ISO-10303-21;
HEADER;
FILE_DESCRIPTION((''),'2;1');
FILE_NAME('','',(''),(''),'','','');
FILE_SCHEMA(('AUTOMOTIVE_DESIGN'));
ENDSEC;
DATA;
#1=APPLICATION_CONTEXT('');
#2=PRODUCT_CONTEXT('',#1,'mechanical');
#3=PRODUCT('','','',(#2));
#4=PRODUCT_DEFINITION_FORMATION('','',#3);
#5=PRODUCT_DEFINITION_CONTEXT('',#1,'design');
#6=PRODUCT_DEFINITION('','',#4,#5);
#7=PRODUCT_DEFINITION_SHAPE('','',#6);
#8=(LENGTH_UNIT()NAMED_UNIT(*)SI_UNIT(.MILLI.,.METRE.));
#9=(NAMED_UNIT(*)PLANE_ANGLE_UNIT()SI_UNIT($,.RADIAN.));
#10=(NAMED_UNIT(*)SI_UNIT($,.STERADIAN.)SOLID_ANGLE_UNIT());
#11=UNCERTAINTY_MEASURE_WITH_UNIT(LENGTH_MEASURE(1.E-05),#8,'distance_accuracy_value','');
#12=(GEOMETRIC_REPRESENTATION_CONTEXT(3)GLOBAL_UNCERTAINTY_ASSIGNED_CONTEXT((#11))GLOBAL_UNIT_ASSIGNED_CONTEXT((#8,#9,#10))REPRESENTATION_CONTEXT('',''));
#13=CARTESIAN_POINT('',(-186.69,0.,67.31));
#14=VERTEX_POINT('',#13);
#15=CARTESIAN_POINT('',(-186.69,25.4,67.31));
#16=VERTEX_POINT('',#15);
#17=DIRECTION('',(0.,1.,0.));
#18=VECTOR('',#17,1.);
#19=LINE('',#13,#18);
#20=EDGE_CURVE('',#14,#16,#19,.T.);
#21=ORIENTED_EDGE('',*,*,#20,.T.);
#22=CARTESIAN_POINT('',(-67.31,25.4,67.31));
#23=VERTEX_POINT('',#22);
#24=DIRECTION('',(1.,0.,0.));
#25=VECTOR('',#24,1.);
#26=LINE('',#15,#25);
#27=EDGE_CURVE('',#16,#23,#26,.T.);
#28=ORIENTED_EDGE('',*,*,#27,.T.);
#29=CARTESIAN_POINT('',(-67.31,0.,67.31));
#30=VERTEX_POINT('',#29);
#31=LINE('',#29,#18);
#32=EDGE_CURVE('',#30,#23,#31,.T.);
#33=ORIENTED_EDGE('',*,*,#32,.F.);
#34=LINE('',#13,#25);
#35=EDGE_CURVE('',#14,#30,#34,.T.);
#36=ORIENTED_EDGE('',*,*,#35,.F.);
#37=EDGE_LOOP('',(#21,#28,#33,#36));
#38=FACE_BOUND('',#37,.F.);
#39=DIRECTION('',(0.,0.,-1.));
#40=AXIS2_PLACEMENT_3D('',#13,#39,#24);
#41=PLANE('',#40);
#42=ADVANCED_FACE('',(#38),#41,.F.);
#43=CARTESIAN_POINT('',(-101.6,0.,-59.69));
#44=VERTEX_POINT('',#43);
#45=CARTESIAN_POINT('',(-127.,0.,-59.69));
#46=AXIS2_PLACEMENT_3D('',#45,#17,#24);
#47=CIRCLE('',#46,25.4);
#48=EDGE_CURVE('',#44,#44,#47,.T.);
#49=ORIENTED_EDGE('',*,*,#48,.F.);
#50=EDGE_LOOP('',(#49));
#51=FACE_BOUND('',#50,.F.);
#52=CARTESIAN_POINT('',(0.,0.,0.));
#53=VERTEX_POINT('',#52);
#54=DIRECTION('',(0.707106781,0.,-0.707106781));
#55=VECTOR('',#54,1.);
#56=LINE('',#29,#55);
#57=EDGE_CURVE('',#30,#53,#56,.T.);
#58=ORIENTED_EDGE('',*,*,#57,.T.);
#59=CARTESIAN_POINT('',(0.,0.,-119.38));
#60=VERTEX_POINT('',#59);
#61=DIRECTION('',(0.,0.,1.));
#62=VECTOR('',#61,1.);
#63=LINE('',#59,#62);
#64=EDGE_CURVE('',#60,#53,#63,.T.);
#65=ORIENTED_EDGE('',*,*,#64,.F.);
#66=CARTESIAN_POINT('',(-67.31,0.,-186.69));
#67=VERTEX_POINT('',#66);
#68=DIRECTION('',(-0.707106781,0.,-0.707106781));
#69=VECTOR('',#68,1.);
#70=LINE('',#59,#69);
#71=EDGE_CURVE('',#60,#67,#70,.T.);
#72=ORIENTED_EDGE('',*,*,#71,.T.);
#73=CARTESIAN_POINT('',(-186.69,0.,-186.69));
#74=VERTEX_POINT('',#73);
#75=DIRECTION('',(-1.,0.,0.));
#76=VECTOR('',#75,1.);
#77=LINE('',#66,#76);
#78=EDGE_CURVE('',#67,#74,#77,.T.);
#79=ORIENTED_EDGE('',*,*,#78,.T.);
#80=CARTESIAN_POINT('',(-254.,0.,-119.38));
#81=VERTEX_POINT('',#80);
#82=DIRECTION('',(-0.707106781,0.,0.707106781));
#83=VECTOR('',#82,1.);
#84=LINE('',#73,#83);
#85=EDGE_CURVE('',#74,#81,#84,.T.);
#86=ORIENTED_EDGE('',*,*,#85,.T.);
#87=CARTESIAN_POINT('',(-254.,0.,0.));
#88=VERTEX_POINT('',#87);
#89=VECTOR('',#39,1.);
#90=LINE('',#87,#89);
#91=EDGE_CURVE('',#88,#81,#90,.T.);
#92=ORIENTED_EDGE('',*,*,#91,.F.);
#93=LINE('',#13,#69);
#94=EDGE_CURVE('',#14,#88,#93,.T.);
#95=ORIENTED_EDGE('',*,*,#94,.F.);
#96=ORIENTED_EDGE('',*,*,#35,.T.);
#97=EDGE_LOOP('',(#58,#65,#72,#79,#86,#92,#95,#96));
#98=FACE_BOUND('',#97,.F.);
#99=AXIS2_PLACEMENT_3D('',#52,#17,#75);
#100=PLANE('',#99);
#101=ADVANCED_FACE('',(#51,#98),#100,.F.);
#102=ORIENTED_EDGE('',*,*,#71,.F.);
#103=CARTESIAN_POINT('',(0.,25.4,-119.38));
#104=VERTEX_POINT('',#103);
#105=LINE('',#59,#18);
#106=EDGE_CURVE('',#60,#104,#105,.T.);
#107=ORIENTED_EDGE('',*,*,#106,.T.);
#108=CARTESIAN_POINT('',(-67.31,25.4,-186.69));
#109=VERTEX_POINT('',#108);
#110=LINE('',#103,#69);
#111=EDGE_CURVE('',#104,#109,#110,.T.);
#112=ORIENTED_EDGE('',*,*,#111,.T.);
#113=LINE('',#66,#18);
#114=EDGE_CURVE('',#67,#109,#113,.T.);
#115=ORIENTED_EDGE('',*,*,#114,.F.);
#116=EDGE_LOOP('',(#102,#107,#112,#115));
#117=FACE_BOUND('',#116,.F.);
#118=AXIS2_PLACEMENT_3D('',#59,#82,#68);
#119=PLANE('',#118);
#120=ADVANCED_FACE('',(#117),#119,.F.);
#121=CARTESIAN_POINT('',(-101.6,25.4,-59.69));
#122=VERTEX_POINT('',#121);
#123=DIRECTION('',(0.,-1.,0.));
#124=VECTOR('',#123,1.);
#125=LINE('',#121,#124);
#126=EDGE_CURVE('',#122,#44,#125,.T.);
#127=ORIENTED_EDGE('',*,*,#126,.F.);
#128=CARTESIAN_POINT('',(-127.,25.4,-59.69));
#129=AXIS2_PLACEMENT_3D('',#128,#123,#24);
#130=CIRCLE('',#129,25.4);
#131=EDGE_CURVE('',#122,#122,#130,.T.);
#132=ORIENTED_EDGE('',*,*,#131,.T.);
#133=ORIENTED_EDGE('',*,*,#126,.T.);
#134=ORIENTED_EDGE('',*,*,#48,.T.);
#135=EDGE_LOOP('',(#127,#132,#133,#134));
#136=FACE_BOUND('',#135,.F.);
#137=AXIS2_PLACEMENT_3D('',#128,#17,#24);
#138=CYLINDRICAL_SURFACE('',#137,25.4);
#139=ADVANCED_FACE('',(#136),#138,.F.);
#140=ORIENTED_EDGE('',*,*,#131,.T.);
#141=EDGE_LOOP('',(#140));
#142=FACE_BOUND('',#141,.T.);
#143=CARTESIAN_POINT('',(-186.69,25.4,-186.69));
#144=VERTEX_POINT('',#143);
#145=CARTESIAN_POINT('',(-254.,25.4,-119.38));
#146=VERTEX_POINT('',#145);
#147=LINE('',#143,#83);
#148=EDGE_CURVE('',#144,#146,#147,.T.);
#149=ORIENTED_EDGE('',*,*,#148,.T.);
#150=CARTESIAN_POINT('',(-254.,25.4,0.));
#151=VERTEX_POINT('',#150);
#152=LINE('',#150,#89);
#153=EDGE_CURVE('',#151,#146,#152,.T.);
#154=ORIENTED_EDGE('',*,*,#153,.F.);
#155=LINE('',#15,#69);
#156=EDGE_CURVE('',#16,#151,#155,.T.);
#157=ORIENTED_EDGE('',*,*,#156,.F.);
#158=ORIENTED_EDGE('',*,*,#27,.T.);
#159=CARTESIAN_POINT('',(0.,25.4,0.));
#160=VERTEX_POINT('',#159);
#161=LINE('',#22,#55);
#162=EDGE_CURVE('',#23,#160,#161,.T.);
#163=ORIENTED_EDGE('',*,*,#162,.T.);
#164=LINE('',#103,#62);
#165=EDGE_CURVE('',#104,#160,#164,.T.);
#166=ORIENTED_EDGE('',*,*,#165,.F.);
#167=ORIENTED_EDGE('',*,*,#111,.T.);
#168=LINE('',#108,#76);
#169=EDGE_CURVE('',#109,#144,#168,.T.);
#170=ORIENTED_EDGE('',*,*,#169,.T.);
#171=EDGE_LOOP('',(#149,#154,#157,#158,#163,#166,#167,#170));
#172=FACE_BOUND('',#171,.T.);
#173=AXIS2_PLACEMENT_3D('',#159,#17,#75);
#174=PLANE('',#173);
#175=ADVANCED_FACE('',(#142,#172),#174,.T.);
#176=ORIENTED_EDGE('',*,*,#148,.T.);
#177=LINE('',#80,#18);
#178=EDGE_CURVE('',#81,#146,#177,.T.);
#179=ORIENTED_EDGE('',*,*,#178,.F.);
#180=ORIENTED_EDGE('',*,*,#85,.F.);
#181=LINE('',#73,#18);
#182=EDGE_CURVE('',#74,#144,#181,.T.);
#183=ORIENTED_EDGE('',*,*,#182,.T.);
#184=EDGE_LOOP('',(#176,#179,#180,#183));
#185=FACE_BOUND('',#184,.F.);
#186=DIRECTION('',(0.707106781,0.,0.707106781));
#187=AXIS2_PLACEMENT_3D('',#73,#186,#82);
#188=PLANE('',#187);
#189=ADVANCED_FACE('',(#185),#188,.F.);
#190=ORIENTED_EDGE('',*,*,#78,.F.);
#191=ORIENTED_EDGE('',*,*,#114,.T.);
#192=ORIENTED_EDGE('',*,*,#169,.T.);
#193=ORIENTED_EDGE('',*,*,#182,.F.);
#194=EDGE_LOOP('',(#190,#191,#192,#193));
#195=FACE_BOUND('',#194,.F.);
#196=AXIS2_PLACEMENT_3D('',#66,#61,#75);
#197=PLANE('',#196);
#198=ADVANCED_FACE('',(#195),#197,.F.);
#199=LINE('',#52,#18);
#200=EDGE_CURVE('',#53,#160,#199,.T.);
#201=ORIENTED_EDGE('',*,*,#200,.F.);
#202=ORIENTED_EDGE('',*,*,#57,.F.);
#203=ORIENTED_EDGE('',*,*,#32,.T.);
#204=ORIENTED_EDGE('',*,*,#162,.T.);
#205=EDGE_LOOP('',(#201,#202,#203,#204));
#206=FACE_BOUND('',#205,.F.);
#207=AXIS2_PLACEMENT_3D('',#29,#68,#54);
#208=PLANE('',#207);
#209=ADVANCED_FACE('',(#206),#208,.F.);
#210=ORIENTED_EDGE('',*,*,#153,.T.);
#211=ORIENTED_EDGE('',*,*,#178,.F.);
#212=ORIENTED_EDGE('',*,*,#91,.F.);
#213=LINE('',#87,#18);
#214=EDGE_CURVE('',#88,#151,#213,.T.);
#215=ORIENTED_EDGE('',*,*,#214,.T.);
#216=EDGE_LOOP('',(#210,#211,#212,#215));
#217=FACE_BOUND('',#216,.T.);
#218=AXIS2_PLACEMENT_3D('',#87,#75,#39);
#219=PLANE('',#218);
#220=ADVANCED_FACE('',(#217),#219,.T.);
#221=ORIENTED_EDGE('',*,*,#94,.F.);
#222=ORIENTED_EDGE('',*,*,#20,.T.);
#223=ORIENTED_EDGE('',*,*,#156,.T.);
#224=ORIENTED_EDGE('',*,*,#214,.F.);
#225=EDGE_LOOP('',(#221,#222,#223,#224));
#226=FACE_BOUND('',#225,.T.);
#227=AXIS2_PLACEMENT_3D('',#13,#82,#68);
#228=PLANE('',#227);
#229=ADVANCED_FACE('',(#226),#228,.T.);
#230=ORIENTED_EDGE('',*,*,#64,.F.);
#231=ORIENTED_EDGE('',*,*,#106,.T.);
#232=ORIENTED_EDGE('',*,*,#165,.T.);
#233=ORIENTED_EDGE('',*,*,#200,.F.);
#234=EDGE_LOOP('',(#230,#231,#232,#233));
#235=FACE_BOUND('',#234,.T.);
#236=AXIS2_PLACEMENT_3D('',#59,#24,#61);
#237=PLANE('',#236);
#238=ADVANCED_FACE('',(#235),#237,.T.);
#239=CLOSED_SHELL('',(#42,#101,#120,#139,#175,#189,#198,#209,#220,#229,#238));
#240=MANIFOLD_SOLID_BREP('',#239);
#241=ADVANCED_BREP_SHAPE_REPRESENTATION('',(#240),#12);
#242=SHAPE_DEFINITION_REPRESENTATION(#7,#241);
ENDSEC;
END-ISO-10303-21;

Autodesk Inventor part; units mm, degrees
ref_plane "YZ Plane" through (0, 0, 0) normal (1, 0, 0) x (0, 1, 0)
ref_plane "XZ Plane" through (0, 0, 0) normal (0, 1, 0) x (-1, 0, 0)
ref_plane "XY Plane" through (0, 0, 0) normal (0, 0, 1) x (1, 0, 0)
sketch "Sketch1" plane through (0, 0, 0) normal (0, 1, 0) x (-1, 0, 0)
  line L0 (0, 0) -> (254, 0)
  line L1 (254, 0) -> (254, -119.38)
  line L2 (254, -119.38) -> (0, -119.38)
  line L3 (0, -119.38) -> (0, 0)
  line L4 (186.69, 67.31) -> (67.31, 67.31)
  line L5 (67.31, 67.31) -> (67.31, -186.69)
  line L6 (67.31, -186.69) -> (186.69, -186.69)
  line L7 (186.69, -186.69) -> (186.69, 67.31)
  line L8 (186.69, 67.31) -> (254, 0)
  line L9 (67.31, 67.31) -> (0, 0)
  line L10 (186.69, -186.69) -> (254, -119.38)
  line L11 (0, -119.38) -> (67.31, -186.69)
  line L12 (62.2907, -7.1202) -> (161.0967, -7.1202)
  line L13 (164.2717, -10.2952) -> (164.2717, -109.1012)
  line L14 (161.0967, -112.2762) -> (62.2907, -112.2762)
  line L15 (59.1157, -109.1012) -> (59.1157, -10.2952)
  arc A0 (62.2907, -7.1202) -> (59.1157, -10.2952) centre (62.2907, -10.2952) ccw
  arc A1 (164.2717, -10.2952) -> (161.0967, -7.1202) centre (161.0967, -10.2952) ccw
  arc A2 (161.0967, -112.2762) -> (164.2717, -109.1012) centre (161.0967, -109.1012) ccw
  arc A3 (59.1157, -109.1012) -> (62.2907, -112.2762) centre (62.2907, -109.1012) ccw
  point P0 (164.2717, -112.2762)
  point P1 (164.2717, -7.1202)
  point P2 (59.1157, -112.2762)
  dimension "d0" = 254
  dimension "d1" = 119.38
  dimension "d2" = 119.38
  dimension "d3" = 254
  dimension "d8" = 95.1907
  dimension "d14" = 105.156
  dimension "d15" = 105.156
  dimension "d22" = 3.175
extrude "Extrusion1" add sketch "Sketch1" along normal blind 25.4
sketch "Sketch4" plane through (0, 25.4, 0) normal (0, 1, 0) x (1, 0, 0)
  circle A0 centre (-127, 59.69) radius 25.4
  line L0 (-254, 59.69) -> (-127, 59.69)
  line L1 (-127, 59.69) -> (-127, 186.69)
  line L2 (-254, 119.38) -> (-254, 0) projected
  line L3 (-67.31, 186.69) -> (-186.69, 186.69) projected
  point P0 (0, 0)
  dimension "d50" = 50.8
  dimension "d58" = 127
  dimension "d59" = 127
extrude "Extrusion3" cut sketch "Sketch4" against normal blind 25.4
equation "\"d0\" = rectangle_L"
equation "\"d1\" = rectangle_01_w"
equation "\"d2\" = rectangle_01_w"
equation "\"d3\" = rectangle_L"
equation "\"d8\" = d9"
equation "\"d14\" = window_L"
equation "\"d15\" = window_L"
equation "\"rectangle_L\" = 254"
equation "\"rectangle_01_w\" = 119.38"
equation "\"d9\" = 95.19071"
equation "\"window_L\" = 105.156"
equation "\"test\" = 74.422"
equation "\"electrode_diam\" = 50.8"
equation "\"test_points\" = 127"
properties part number "chamber_base"
